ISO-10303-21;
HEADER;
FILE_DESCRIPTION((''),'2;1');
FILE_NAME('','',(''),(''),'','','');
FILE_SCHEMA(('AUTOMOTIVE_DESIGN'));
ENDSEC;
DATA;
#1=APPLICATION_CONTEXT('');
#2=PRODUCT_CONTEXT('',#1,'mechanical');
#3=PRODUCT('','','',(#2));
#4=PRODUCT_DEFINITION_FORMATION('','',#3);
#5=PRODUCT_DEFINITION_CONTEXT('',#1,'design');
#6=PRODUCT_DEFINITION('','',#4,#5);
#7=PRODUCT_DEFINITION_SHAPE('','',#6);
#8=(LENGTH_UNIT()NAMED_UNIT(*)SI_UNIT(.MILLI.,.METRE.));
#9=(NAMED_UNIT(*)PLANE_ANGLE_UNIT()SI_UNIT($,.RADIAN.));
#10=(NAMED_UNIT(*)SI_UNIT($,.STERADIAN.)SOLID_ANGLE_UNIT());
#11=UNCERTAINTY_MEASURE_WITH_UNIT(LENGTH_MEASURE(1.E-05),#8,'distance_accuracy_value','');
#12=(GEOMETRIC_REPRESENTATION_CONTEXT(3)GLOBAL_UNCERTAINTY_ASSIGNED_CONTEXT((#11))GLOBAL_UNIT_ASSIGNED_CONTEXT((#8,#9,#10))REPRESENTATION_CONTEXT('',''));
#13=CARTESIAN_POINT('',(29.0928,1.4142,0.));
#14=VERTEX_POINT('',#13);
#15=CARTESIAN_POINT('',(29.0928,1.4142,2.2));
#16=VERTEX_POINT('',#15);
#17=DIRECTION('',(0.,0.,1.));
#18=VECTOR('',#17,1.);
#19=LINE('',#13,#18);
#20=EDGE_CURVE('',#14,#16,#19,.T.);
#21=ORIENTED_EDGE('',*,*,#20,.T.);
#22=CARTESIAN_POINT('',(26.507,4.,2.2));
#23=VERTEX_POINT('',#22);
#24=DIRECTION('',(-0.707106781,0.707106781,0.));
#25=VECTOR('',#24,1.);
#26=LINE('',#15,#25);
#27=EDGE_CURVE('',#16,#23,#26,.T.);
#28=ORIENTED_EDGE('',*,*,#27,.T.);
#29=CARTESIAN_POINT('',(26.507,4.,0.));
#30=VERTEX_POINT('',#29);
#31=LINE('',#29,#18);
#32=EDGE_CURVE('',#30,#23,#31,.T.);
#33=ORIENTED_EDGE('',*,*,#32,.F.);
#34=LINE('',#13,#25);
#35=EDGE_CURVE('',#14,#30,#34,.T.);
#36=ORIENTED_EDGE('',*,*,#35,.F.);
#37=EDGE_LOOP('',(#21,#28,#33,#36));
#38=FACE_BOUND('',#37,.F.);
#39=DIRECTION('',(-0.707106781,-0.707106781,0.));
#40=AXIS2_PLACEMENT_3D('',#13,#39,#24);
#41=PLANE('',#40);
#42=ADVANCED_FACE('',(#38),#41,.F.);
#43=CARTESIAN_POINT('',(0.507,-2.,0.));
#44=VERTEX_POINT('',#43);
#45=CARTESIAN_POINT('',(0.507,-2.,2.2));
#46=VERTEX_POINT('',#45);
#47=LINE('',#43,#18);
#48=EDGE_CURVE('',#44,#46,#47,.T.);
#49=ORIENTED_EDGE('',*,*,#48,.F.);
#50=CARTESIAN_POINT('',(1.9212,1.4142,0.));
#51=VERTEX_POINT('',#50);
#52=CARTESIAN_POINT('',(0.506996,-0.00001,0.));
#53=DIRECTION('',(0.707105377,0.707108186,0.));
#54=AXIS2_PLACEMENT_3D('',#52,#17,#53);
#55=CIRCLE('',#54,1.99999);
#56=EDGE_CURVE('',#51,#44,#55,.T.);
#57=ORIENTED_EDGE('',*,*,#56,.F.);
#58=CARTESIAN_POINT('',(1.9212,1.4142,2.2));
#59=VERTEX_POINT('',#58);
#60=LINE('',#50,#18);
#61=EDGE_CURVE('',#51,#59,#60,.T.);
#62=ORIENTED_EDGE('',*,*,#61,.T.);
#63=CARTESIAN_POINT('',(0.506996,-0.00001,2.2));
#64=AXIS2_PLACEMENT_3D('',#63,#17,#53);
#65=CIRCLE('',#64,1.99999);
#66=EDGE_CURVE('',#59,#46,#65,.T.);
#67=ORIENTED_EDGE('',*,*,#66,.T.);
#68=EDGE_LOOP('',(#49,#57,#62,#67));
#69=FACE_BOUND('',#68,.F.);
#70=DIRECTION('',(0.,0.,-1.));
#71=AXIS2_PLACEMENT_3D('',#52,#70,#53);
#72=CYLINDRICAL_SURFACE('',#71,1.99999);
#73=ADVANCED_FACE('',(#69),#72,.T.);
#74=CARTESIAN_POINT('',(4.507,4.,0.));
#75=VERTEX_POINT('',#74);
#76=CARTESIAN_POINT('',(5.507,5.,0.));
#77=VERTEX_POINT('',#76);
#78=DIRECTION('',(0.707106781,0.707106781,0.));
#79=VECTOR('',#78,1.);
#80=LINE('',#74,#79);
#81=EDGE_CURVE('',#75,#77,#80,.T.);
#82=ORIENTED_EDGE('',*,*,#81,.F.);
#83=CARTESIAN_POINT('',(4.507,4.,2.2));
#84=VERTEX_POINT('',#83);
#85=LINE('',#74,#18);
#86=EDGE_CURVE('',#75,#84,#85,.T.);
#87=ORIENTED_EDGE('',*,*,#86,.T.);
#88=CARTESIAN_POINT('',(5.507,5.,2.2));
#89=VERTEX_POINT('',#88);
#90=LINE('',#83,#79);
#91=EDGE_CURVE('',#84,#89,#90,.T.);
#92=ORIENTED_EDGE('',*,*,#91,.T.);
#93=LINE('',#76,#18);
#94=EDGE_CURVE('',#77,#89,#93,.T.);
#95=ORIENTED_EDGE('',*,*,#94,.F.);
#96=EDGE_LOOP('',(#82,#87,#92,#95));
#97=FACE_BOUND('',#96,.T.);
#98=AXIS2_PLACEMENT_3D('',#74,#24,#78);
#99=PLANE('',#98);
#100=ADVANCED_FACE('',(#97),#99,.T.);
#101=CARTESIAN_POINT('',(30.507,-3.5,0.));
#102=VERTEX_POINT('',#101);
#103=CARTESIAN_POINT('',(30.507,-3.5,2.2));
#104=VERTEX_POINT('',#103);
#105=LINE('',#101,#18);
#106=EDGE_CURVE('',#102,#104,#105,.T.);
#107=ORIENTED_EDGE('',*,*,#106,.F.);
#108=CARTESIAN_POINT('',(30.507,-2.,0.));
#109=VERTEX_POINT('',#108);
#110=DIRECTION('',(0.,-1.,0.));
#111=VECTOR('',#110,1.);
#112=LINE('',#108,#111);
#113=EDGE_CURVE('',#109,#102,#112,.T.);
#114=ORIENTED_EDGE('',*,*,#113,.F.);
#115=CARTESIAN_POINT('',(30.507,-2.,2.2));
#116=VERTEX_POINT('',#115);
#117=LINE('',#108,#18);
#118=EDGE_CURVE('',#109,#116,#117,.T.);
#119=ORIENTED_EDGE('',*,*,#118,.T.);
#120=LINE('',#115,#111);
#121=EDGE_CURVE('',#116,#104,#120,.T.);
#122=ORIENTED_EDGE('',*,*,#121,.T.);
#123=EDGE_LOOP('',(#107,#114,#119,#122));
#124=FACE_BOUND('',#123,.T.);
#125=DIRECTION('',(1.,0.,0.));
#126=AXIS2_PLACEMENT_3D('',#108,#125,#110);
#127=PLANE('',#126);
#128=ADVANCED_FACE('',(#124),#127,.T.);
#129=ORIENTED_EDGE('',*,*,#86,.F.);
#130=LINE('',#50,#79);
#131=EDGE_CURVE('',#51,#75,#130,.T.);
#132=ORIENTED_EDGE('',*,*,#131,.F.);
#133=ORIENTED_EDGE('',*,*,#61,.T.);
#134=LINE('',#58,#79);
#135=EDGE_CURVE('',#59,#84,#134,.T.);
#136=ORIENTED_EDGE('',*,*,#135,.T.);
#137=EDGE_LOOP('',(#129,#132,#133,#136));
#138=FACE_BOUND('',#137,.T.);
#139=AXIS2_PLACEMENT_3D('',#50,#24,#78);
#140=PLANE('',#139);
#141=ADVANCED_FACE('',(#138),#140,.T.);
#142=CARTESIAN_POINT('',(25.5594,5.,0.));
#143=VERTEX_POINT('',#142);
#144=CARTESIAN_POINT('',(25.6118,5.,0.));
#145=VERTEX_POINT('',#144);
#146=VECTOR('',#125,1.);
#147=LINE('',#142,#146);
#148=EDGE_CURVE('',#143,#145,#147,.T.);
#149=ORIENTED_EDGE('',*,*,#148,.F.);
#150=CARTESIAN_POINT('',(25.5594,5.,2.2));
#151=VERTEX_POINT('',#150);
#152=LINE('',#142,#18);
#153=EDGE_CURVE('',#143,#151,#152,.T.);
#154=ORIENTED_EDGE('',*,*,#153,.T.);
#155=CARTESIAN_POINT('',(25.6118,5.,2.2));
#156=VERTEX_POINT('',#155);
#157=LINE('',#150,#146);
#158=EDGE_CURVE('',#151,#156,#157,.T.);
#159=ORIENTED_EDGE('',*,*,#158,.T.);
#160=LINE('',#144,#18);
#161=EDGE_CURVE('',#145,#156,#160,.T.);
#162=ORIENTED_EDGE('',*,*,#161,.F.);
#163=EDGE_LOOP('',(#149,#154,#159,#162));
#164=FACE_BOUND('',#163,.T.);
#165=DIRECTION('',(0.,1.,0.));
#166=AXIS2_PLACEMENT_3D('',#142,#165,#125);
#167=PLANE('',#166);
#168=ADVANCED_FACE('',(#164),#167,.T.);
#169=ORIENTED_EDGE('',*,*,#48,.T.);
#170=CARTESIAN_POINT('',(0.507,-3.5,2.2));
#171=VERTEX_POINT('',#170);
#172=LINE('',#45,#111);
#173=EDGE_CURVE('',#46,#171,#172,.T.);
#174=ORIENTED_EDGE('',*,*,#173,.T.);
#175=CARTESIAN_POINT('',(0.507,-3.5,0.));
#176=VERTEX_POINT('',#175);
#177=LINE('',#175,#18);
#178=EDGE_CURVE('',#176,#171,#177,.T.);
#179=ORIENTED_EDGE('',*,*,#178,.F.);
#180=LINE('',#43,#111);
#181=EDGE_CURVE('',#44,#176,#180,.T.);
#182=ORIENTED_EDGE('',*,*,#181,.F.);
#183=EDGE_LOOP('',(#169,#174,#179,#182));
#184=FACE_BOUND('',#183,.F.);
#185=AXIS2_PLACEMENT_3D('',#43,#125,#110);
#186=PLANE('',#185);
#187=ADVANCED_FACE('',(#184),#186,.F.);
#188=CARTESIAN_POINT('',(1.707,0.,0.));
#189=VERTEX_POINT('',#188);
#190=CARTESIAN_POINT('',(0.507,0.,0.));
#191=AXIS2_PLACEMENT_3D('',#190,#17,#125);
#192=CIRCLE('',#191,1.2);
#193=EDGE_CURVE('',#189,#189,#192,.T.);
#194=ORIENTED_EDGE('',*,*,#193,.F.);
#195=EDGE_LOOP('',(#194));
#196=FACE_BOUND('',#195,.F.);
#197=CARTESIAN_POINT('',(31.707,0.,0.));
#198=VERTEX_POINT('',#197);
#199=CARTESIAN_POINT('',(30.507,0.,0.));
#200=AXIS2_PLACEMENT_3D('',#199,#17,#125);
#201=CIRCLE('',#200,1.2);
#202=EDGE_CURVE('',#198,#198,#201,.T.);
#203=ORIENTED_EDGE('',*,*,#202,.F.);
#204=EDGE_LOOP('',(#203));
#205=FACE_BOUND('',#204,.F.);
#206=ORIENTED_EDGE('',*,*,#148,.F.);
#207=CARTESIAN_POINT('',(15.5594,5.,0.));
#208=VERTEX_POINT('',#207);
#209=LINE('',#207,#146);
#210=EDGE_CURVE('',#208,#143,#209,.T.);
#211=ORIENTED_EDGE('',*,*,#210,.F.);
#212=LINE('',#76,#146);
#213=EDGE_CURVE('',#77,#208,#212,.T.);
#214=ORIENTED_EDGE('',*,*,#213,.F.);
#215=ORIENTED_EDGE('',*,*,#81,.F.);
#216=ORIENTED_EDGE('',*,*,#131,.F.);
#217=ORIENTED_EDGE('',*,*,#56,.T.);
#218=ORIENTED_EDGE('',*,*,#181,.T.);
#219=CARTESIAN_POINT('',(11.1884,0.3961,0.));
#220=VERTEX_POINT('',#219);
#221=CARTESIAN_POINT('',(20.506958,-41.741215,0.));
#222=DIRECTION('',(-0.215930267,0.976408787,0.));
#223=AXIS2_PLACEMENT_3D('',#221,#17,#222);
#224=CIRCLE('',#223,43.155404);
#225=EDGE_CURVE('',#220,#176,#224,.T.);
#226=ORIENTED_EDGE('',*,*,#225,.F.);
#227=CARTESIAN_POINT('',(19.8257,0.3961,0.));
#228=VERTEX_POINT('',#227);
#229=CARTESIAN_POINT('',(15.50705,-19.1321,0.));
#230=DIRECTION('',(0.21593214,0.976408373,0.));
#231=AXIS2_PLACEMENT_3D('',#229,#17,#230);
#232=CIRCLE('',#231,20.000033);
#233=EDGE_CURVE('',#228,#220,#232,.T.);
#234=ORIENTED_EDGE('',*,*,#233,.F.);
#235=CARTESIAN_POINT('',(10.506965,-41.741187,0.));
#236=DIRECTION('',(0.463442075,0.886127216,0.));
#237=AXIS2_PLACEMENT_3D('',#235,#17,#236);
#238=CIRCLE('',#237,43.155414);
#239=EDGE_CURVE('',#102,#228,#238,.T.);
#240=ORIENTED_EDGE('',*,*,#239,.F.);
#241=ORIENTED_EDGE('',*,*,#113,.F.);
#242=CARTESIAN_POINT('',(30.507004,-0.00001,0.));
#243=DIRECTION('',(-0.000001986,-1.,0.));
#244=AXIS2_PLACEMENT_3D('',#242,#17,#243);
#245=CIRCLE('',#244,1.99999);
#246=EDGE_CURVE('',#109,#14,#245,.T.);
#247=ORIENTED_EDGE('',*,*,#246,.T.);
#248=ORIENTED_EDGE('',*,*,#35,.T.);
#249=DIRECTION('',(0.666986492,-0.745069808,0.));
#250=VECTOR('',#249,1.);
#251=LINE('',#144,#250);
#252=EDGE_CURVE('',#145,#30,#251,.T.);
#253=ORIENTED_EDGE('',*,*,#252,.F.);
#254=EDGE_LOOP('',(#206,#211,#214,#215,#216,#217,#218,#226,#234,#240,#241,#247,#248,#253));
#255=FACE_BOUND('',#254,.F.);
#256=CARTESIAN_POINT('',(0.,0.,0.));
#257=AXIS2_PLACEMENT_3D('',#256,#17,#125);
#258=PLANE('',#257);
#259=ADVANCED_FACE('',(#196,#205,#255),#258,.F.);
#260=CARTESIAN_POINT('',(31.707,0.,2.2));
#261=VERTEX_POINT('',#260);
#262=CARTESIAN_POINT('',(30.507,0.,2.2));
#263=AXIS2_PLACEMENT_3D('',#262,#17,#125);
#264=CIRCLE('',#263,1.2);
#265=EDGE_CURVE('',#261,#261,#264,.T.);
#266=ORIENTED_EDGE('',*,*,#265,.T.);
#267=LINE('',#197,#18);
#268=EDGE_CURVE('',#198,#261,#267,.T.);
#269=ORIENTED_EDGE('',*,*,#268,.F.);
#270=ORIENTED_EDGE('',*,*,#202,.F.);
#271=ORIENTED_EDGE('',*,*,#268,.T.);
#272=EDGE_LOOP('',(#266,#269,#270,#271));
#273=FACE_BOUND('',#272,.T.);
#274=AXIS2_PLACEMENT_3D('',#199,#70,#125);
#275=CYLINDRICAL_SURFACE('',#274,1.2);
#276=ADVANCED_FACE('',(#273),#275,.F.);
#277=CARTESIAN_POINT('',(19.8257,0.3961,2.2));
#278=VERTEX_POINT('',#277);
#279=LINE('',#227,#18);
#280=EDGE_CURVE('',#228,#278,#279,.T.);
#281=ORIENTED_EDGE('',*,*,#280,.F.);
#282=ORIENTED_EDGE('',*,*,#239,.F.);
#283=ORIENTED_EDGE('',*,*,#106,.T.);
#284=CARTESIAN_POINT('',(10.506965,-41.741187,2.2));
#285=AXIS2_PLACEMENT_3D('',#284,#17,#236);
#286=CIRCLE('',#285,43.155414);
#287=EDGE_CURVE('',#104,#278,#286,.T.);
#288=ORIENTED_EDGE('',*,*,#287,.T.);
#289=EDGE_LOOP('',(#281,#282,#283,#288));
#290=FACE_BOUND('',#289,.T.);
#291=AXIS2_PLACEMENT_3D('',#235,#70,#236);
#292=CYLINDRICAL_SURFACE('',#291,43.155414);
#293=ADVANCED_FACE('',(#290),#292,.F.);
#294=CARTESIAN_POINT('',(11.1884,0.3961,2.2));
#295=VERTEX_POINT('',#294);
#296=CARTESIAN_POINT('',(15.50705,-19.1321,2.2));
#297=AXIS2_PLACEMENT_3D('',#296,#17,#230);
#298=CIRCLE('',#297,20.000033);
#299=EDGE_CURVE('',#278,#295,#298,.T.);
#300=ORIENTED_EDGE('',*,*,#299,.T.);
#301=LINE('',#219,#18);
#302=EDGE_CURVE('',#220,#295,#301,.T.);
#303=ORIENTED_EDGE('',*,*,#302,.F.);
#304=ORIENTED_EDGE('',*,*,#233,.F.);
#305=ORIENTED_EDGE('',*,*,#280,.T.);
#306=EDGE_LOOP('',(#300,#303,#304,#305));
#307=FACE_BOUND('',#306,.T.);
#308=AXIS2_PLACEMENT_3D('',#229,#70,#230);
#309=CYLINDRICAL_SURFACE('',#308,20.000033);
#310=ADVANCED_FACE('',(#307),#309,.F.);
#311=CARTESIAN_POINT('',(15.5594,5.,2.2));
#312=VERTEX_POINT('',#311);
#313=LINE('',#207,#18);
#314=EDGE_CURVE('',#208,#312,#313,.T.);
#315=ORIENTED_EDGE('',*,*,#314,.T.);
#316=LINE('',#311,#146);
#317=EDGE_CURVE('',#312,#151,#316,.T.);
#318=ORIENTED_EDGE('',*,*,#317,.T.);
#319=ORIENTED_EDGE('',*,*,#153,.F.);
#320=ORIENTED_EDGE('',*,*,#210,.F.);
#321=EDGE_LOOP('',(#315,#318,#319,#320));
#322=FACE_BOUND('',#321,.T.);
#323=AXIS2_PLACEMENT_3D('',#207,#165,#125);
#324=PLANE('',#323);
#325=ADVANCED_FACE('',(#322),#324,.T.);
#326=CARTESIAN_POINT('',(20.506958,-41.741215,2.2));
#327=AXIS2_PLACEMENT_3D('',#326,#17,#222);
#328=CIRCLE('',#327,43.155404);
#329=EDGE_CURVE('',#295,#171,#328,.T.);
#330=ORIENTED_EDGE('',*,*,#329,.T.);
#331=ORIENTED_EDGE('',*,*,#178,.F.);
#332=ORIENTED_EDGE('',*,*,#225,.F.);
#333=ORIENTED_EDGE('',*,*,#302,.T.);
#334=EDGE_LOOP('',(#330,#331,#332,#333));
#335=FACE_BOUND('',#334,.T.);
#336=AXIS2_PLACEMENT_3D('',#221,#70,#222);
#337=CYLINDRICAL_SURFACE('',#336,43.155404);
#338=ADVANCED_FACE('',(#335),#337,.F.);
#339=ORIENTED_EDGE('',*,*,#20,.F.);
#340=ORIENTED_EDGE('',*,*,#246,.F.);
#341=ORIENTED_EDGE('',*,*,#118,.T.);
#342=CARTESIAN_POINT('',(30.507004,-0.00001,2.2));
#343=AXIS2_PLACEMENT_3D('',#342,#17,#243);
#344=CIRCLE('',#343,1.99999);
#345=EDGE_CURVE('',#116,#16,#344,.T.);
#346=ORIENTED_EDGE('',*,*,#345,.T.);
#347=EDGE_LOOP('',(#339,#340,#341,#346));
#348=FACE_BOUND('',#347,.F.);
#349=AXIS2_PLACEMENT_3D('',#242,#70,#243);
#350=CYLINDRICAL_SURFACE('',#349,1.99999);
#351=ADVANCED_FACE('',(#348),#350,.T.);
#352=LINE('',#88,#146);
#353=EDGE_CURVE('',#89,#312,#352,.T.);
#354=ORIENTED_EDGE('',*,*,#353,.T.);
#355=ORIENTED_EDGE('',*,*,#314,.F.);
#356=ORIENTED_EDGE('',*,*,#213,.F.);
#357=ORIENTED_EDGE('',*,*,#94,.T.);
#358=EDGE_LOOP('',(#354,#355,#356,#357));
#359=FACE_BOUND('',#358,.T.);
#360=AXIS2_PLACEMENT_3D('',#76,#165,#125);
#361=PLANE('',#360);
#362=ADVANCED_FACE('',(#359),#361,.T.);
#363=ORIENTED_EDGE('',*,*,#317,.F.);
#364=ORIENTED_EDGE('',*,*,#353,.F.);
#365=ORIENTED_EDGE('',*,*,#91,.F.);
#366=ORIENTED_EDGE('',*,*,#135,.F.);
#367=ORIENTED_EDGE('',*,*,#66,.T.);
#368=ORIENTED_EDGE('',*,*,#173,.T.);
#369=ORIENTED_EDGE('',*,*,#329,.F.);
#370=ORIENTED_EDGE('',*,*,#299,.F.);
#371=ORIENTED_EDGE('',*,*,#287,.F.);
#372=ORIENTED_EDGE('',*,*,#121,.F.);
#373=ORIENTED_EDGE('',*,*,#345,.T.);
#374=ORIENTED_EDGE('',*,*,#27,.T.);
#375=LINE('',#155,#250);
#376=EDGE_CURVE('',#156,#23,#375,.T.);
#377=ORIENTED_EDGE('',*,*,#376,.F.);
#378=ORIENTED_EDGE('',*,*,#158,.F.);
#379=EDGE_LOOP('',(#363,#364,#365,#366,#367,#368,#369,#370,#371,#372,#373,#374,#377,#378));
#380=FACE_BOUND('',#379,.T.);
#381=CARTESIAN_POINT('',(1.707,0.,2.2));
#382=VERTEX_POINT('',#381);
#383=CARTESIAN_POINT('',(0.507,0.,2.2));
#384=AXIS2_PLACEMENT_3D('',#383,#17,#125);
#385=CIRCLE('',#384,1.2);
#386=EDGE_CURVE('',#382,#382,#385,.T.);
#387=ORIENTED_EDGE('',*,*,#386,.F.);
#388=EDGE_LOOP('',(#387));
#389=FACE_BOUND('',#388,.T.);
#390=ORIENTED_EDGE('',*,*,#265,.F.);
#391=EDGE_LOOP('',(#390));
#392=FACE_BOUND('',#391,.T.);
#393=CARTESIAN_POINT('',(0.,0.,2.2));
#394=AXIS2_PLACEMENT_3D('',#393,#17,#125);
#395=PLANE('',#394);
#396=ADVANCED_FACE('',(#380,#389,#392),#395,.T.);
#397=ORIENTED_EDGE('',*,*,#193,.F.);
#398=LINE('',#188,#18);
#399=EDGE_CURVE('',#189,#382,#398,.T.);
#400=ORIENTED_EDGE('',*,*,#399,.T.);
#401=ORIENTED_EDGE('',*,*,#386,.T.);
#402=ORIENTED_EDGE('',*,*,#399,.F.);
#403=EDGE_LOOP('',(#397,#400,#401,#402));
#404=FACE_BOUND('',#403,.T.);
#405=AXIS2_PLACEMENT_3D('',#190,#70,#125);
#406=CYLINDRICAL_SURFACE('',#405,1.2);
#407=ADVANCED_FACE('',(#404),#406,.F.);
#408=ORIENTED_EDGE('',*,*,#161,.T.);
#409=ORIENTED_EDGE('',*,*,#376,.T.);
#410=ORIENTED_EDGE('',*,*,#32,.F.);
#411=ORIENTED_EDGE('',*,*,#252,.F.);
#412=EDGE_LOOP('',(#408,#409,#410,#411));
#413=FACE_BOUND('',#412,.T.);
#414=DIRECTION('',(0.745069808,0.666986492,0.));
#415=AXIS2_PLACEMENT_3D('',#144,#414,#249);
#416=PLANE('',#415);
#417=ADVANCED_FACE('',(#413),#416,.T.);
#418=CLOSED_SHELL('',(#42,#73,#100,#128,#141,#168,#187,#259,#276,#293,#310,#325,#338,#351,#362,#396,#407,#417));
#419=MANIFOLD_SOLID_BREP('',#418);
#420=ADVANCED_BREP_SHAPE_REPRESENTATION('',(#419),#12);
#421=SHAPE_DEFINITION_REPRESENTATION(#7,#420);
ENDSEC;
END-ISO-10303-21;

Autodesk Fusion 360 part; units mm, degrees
sketch "Sketch1" plane through (0, 0, 0) normal (0, 0, 1) x (1, 0, 0)
  circle A0 centre (0.507, 0) radius 1.2
  line L0 (4.507, 4) -> (5.507, 5)
  arc A1 (1.9212, 1.4142) -> (0.507, -2) centre (0.507, 0) ccw
  line L1 (1.9212, 1.4142) -> (4.507, 4)
  line L2 (0.507, -2) -> (0.507, -3.5)
  line L3 (5.507, 5) -> (15.5594, 5)
  line L4 (25.5594, 5) -> (25.6118, 5)
  arc A2 (11.1884, 0.3961) -> (0.507, -3.5) centre (20.507, -41.7412) ccw
  arc A3 (30.507, -2) -> (29.0928, 1.4142) centre (30.507, 0) ccw
  line L5 (25.6118, 5) -> (26.507, 4)
  arc A4 (30.507, -3.5) -> (19.8257, 0.3961) centre (10.507, -41.7412) ccw
  line L6 (30.507, -2) -> (30.507, -3.5)
  line L7 (15.5594, 1.1297) -> (15.5594, 1.1174)
  line L8 (15.5594, 5) -> (25.6118, 5)
  line L9 (29.0928, 1.4142) -> (26.507, 4)
  circle A5 centre (30.507, 0) radius 1.2
  arc A6 (19.8257, 0.3961) -> (11.1884, 0.3961) centre (15.507, -19.1321) ccw
  dimension "d3" = 2.4
  dimension "d7" = 4
  dimension "d10" = 1.5
  dimension "d16" = 2.4
  dimension "d17" = 4
  dimension "d18" = 1.5
  dimension "d19" = 20
extrude "Extrude2" add sketch "Sketch1" along normal blind 2.2
